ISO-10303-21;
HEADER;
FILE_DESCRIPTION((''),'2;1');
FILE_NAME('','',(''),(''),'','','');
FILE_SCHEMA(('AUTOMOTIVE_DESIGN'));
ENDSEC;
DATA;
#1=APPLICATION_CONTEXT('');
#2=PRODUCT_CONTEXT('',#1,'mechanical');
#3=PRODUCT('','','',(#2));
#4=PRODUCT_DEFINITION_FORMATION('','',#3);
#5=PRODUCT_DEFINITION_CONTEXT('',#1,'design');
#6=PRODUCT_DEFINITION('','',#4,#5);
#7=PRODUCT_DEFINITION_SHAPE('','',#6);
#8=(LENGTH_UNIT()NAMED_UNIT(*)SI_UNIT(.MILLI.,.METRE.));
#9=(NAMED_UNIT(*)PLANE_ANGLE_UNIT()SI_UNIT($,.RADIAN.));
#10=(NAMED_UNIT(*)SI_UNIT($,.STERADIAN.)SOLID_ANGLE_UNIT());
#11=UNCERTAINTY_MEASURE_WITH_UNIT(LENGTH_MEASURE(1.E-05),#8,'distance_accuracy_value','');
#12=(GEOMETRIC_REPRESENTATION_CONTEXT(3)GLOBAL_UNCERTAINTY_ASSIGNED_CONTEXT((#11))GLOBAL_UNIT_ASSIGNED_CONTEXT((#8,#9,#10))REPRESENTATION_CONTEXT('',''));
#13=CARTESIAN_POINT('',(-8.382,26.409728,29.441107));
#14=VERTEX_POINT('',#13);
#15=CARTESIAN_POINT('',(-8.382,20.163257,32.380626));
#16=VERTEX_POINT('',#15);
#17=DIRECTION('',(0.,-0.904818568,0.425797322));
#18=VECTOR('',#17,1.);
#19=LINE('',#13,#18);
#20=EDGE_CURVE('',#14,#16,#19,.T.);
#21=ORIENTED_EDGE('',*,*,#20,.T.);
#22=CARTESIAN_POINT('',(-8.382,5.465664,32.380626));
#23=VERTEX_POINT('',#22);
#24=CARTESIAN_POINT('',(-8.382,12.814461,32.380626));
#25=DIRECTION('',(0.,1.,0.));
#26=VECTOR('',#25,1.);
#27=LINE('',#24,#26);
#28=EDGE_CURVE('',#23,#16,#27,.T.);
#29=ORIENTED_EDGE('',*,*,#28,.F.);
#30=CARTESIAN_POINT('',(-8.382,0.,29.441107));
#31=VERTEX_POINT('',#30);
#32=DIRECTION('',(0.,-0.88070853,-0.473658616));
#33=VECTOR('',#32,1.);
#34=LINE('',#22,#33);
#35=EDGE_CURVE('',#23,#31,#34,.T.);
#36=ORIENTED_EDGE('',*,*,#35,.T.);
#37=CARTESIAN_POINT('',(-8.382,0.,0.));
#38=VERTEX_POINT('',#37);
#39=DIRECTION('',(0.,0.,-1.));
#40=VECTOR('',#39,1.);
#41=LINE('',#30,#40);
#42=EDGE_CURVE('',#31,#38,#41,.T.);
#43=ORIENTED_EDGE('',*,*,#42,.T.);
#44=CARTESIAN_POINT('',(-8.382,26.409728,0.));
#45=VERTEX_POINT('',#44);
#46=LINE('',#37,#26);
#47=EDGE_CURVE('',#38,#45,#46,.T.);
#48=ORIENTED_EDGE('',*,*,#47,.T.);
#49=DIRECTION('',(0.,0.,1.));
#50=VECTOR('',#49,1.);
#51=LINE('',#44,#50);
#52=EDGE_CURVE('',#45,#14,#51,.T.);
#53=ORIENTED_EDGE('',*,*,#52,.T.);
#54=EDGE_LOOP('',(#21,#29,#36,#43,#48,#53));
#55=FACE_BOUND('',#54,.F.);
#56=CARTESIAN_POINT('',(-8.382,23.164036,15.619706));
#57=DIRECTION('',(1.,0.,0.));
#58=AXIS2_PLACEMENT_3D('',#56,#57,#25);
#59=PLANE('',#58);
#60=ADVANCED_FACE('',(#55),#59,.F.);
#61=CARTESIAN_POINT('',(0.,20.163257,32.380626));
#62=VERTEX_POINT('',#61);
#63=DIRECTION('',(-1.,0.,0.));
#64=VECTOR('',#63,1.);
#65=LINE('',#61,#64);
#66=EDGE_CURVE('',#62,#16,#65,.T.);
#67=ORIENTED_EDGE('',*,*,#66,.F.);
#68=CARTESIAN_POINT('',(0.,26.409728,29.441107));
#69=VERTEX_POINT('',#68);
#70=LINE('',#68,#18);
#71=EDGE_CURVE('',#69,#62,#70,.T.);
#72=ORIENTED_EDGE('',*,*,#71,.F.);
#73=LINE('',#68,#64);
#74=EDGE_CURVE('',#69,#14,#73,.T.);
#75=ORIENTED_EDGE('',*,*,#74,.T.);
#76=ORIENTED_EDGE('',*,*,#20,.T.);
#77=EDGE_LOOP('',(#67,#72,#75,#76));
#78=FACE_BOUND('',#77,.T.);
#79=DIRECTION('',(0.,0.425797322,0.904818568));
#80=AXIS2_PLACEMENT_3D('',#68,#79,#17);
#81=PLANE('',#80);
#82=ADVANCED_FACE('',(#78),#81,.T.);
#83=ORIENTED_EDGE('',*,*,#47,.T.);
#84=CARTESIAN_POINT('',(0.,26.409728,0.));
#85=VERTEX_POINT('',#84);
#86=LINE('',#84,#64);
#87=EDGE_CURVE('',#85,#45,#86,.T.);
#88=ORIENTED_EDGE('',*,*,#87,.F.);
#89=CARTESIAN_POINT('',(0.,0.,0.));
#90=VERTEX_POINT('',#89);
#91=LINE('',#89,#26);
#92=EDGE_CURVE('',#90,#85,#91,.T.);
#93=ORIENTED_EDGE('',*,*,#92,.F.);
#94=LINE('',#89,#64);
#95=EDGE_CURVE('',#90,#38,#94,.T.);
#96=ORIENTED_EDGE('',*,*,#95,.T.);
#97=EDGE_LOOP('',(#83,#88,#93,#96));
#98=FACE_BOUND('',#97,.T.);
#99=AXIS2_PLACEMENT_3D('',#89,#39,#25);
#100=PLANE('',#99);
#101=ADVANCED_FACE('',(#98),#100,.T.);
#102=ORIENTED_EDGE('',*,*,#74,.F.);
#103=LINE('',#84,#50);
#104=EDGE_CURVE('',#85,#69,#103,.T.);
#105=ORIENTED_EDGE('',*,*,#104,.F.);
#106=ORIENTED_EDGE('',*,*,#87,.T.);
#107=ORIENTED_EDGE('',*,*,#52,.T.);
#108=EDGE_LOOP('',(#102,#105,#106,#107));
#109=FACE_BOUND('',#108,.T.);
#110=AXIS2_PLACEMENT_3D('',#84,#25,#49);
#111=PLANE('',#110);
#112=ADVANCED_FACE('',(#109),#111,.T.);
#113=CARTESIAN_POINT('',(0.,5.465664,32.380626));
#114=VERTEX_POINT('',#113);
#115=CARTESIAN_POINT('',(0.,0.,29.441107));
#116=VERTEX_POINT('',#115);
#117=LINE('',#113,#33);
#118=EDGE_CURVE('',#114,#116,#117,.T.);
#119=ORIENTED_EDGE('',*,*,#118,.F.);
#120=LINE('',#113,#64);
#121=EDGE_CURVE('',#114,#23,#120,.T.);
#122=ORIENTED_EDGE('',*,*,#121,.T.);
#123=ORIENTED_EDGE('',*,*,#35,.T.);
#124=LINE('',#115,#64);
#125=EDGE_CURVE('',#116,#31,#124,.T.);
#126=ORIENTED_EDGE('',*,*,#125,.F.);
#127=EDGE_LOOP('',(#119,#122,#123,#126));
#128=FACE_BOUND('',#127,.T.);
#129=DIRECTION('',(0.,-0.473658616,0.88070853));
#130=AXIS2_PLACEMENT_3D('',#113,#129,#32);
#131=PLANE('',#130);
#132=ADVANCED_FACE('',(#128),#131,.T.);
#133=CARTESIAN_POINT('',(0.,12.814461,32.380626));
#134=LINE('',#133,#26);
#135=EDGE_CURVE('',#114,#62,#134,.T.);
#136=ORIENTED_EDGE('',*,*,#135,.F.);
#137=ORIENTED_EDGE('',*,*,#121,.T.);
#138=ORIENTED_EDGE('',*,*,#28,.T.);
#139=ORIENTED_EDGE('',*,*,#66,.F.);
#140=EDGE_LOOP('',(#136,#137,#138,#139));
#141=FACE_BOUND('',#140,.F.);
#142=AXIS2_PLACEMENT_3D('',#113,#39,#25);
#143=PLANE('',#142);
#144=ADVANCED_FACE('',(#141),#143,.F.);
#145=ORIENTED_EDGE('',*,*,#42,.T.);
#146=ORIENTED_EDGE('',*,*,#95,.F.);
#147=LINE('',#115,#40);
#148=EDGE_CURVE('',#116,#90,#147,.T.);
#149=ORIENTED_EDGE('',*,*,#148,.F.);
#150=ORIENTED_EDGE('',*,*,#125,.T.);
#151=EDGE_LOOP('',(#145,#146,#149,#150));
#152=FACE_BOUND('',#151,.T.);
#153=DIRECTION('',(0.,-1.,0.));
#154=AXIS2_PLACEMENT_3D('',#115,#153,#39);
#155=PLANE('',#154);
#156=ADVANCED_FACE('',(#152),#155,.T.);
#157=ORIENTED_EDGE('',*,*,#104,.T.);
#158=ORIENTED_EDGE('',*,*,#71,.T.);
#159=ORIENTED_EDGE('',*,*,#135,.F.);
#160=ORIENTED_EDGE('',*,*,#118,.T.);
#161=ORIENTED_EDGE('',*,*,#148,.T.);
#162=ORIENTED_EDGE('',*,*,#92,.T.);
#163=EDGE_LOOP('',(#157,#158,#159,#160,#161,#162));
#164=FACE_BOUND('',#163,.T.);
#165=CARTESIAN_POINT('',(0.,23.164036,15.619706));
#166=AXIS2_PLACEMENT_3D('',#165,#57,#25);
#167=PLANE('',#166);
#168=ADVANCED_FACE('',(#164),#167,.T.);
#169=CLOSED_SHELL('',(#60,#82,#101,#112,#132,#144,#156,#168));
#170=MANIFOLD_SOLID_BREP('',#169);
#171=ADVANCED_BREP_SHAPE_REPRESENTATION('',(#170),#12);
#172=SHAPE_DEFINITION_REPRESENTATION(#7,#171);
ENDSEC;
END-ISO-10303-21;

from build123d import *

# Parameters (mm, degrees)
F0_W     = 14.6975922398
F0_H     = 32.3806256056
F1_DEPTH = 8.382


with BuildPart() as f1:
    # F0 (on Right) → F1 (new body)
    with BuildSketch(Plane.YZ):
        Polygon((26.4097284526, 29.4411070645), (20.163256675, 32.3806256056), (20.163256675, 0), (26.4097284526, 0), align=None)
        Polygon((5.4656644352, 0), (5.4656644352, 32.3806256056), (0, 29.4411070645), (0, 0), align=None)
        with Locations((12.8144605551, 16.1903128028)):
            Rectangle(F0_W, F0_H)
    extrude(amount=-F1_DEPTH)


solid = f1.part
